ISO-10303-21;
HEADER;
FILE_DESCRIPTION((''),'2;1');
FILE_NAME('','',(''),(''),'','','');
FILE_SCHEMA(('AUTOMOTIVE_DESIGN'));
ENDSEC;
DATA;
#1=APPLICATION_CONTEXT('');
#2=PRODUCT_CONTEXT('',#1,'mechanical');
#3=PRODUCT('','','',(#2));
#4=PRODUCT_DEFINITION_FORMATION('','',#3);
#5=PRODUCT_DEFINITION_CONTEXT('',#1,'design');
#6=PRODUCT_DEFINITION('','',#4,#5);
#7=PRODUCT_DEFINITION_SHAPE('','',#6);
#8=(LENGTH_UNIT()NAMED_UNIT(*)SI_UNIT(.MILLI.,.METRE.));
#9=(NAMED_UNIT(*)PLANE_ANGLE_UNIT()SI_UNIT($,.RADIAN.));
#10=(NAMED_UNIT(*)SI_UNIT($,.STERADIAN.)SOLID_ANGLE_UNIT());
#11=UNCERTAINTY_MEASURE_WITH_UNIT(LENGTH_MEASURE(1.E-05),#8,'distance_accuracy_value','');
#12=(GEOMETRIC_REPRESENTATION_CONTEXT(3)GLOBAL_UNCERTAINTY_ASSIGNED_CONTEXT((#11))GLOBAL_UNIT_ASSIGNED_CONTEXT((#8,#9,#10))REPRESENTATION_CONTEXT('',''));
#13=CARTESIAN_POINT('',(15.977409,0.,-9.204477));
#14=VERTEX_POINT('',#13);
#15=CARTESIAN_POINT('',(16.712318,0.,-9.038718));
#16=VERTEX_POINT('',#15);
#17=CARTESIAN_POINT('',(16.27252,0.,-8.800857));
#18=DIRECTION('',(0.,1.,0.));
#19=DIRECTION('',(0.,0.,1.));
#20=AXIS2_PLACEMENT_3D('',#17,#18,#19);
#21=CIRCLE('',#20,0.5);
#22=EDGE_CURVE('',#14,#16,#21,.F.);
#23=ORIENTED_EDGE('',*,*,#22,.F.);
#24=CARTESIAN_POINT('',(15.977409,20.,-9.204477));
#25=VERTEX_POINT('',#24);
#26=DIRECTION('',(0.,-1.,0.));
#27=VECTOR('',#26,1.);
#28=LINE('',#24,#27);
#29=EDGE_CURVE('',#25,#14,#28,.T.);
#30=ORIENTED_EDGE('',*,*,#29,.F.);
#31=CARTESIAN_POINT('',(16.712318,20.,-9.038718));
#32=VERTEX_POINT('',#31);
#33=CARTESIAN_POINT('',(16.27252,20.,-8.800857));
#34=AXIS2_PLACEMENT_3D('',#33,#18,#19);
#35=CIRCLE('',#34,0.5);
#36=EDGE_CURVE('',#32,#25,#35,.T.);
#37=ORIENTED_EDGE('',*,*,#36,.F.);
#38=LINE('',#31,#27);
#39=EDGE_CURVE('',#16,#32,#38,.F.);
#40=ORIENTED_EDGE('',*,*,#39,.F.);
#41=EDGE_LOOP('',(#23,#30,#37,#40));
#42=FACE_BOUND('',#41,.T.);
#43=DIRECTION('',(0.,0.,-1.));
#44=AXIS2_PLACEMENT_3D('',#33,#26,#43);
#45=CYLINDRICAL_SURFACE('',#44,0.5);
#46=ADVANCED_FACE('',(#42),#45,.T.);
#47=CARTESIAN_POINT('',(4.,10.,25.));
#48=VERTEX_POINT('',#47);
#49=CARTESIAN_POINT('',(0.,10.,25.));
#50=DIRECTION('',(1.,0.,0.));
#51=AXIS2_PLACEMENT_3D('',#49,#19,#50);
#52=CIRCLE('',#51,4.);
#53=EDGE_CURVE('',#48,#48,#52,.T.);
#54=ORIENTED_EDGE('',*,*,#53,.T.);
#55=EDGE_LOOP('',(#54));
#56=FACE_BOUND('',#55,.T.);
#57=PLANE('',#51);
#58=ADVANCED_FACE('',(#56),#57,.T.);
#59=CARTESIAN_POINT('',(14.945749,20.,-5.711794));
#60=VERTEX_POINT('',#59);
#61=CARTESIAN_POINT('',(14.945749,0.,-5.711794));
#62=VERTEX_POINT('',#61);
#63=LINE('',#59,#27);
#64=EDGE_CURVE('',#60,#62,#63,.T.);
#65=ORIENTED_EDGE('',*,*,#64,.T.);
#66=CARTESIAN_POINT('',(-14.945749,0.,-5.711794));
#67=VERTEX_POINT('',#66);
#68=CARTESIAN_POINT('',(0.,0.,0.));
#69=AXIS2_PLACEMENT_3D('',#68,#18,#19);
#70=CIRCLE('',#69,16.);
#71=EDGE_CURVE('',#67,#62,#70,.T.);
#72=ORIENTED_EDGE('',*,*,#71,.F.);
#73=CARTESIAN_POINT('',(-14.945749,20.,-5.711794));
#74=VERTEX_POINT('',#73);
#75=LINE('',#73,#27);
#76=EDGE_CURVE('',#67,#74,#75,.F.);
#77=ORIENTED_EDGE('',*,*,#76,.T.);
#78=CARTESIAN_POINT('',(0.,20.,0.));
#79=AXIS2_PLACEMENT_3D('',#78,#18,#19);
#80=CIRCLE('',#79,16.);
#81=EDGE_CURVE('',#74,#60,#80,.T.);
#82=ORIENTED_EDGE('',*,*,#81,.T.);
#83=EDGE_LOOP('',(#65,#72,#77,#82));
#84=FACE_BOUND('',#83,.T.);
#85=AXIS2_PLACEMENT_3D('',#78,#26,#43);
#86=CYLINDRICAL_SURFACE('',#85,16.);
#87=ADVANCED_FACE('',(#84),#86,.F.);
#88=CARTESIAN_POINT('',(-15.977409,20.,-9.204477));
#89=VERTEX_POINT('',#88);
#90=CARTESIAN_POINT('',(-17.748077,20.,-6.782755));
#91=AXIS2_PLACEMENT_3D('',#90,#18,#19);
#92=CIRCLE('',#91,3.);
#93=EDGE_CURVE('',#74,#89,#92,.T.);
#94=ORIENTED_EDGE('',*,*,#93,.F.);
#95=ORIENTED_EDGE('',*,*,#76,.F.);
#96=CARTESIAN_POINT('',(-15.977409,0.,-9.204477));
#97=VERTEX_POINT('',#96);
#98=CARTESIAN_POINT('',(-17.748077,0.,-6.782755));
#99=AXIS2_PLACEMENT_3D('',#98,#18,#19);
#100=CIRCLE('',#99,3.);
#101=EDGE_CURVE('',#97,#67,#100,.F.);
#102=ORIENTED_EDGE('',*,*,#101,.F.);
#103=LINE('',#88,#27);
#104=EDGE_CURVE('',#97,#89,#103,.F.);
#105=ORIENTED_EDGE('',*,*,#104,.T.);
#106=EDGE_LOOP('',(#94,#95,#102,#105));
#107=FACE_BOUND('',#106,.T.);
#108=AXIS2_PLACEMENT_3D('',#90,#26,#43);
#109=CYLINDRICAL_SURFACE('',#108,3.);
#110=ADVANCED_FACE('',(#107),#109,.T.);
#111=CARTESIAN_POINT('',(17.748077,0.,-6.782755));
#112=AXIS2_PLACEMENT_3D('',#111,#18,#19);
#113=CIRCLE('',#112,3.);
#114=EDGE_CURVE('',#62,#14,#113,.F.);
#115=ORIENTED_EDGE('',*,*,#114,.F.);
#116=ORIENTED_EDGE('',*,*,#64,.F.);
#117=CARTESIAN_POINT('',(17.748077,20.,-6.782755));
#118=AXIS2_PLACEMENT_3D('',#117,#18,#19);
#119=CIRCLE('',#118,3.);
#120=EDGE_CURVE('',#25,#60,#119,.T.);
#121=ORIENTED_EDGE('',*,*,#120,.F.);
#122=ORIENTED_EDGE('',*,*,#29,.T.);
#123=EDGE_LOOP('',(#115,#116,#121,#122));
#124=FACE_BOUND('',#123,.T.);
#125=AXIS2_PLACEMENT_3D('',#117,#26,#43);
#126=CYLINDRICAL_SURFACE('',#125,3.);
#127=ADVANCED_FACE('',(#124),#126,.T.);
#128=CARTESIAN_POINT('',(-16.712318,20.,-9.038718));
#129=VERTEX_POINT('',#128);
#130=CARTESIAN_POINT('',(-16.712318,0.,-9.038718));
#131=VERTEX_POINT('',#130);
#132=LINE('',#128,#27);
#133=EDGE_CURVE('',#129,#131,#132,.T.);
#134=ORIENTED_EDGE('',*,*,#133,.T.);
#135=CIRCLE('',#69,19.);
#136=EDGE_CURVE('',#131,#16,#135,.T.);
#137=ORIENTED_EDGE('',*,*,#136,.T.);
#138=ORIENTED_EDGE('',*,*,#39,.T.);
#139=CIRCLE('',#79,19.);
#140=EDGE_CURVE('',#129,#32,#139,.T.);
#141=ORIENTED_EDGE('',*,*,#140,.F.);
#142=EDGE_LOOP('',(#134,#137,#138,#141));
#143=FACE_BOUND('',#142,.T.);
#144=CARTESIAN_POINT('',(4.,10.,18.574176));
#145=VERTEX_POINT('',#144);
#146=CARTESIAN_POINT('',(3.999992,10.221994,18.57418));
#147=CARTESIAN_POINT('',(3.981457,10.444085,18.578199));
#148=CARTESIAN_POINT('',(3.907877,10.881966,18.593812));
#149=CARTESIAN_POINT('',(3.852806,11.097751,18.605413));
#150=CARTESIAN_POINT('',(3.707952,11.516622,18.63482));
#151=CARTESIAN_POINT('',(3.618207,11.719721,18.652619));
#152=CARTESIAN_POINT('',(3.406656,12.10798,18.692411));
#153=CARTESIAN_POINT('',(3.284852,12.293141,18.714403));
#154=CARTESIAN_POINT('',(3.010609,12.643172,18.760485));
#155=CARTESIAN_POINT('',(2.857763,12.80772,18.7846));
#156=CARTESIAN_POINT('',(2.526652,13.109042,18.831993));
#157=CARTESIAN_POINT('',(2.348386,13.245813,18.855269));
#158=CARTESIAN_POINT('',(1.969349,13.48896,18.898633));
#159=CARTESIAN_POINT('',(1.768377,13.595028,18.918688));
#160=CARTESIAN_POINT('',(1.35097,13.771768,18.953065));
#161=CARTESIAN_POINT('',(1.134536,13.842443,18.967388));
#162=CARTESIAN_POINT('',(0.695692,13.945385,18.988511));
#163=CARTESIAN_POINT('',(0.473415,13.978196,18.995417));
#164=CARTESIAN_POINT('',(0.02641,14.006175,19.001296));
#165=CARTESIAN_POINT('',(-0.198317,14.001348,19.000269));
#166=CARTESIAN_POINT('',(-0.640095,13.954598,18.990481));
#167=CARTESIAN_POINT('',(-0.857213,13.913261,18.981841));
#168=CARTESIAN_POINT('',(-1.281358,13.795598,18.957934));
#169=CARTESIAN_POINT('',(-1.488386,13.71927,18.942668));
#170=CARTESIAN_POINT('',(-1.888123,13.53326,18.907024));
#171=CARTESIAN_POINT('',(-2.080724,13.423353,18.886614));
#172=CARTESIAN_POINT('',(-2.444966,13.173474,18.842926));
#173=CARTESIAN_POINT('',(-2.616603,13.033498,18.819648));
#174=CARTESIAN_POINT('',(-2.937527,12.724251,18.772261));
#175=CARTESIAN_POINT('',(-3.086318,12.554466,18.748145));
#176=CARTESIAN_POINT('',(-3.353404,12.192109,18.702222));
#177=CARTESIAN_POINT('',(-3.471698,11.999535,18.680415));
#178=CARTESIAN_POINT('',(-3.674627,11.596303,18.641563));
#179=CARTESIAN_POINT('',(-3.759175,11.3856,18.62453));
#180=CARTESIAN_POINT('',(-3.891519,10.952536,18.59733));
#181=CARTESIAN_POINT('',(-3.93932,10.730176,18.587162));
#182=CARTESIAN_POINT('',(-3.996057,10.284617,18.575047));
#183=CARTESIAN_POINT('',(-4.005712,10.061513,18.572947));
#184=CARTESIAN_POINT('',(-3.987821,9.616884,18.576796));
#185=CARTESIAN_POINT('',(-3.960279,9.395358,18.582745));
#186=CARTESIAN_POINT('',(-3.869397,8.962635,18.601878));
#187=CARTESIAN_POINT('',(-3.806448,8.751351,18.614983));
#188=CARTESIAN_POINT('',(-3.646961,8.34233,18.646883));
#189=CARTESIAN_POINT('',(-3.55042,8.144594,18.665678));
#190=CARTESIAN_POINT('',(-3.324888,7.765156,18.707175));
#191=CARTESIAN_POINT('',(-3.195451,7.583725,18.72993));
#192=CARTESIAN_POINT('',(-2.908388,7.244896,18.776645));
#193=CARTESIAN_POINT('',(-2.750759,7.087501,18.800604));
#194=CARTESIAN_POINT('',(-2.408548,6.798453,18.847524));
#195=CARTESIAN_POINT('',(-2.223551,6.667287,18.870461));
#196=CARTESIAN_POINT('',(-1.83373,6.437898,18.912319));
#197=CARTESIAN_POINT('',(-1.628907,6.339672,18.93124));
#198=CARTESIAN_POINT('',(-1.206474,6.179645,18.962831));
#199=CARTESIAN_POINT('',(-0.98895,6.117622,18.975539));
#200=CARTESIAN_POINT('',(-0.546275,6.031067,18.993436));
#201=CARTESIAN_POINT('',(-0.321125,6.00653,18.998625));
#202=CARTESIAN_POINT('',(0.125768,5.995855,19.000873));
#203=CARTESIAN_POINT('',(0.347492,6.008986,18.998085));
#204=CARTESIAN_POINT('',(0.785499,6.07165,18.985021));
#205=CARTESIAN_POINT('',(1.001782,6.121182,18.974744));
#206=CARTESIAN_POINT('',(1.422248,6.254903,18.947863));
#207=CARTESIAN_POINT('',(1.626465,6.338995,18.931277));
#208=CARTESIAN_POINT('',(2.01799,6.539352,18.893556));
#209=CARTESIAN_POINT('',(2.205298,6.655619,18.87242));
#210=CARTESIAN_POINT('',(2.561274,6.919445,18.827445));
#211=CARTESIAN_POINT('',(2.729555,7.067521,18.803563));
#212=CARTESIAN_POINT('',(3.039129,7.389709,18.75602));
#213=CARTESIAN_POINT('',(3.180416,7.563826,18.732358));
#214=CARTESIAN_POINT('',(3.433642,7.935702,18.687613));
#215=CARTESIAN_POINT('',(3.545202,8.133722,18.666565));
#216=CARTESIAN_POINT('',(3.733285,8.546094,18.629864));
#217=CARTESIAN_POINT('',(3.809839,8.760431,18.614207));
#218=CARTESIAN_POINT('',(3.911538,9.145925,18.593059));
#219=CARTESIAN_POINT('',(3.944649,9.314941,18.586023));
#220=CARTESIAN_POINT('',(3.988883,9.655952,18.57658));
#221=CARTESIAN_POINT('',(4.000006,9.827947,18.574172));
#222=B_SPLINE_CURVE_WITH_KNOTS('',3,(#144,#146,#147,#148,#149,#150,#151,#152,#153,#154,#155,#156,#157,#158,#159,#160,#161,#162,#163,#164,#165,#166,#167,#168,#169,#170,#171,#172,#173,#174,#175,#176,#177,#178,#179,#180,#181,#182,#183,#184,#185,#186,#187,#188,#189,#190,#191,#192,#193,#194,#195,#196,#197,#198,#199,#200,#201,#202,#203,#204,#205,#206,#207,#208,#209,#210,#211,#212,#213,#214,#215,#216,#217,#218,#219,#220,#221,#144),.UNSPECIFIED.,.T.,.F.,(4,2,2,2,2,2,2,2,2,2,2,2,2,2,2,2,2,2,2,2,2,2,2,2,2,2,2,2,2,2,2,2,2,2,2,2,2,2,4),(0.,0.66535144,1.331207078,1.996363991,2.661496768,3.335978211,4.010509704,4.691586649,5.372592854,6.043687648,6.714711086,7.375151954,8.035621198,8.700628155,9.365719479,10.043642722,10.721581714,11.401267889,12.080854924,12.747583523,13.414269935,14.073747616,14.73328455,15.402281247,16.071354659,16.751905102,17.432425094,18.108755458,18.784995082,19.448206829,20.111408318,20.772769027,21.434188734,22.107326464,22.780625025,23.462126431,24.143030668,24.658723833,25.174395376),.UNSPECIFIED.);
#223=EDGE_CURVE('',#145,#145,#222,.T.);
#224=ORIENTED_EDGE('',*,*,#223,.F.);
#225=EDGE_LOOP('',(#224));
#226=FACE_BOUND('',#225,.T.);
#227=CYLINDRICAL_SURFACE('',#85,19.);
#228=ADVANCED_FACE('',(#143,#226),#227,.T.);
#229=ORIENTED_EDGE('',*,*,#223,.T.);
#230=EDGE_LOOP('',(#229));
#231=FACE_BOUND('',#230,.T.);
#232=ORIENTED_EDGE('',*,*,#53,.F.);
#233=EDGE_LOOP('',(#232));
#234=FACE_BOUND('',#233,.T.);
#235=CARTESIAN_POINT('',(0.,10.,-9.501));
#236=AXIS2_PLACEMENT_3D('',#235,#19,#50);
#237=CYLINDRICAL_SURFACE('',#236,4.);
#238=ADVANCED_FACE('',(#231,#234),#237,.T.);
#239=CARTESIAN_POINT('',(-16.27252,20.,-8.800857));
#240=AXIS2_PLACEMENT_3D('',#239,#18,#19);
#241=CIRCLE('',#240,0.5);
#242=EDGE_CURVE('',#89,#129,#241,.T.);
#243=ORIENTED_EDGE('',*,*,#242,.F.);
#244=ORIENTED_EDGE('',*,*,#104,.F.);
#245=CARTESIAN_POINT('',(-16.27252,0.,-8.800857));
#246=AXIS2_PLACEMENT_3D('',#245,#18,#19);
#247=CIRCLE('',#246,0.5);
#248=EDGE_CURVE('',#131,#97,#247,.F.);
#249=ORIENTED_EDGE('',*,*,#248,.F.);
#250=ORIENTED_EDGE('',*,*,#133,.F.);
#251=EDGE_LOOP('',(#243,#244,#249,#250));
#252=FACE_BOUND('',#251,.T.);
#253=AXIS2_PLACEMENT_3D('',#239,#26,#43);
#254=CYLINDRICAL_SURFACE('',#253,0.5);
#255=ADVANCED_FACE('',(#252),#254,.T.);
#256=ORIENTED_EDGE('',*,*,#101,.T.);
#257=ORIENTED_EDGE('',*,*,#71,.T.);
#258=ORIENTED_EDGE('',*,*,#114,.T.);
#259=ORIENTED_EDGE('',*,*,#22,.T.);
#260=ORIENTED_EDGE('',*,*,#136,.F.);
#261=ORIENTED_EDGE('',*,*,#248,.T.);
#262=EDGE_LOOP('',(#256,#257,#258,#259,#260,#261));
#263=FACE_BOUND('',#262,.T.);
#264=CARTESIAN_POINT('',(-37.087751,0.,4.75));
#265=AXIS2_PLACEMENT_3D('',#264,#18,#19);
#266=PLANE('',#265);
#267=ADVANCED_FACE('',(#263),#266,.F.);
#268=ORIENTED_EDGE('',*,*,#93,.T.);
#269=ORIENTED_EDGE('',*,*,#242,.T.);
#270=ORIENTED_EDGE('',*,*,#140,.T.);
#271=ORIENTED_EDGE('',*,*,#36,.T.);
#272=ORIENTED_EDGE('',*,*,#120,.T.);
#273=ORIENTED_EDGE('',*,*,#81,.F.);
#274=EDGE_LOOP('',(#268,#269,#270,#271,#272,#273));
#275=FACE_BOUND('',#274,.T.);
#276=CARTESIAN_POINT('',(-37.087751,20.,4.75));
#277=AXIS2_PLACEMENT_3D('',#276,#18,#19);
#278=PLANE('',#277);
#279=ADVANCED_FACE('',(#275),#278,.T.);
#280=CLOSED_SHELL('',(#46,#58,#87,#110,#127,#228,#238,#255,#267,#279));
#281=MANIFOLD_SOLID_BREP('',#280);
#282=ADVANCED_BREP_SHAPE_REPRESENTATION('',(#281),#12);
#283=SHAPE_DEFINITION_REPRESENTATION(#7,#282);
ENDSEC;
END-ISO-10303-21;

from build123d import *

# Parameters (mm, degrees)
EXTRUIR1_DEPTH      = 20
EXTRUIR2_REACH      = 60.496
EXTRUIR2_END_RADIUS = 19
EXTRUIR2_START      = 25
CROQUIS2_R          = 4
REDONDEO1_R         = 3
REDONDEO2_R         = 0.5


with BuildPart() as part:
    # Croquis1 → Extruir1 (new body)
    with BuildSketch(Plane(origin=(0, 0, 0), x_dir=(1, 0, 0), z_dir=(0, 1, 0))):
        with BuildLine():
            Line((16.454482672, 9.5), (13.856406461, 8))
            ThreePointArc((13.856406461, 8), (0, -16), (-13.856406461, 8))
            Line((-13.856406461, 8), (-16.454482672, 9.5))
            ThreePointArc((-16.454482672, 9.5), (0, -19), (16.454482672, 9.5))
        make_face()
    extrude(amount=EXTRUIR1_DEPTH)

    # Extruir2: up to this cylinder (the profile starts outside it)
    extruir2_end = Plane(origin=(0, 10, 0), z_dir=(0, -1, 0)) * Cylinder(EXTRUIR2_END_RADIUS, 159.992, mode=Mode.PRIVATE)
    # Croquis2 → Extruir2 (add, up to the surface)
    with BuildSketch(Plane.XY.offset(EXTRUIR2_START), mode=Mode.PRIVATE) as extruir2_sk1:
        with Locations((0, 10)):
            Circle(CROQUIS2_R)
    extruir2_tool1 = extrude(extruir2_sk1.sketch, amount=-EXTRUIR2_REACH, mode=Mode.PRIVATE) - extruir2_end
    add(extruir2_tool1.solids().sort_by_distance((0, 10, 25))[0])

    # Redondeo1
    redondeo1_edges = [part.edges().sort_by_distance(p)[0] for p in [
        (13.856406461, 10, -8),
        (-13.856406461, 10, -8),
    ]]
    fillet(redondeo1_edges, radius=REDONDEO1_R)

    # Redondeo2
    redondeo2_edges = [part.edges().sort_by_distance(p)[0] for p in [
        (16.454482672, 10, -9.5),
        (-16.454482672, 10, -9.5),
    ]]
    fillet(redondeo2_edges, radius=REDONDEO2_R)


solid = part.part
